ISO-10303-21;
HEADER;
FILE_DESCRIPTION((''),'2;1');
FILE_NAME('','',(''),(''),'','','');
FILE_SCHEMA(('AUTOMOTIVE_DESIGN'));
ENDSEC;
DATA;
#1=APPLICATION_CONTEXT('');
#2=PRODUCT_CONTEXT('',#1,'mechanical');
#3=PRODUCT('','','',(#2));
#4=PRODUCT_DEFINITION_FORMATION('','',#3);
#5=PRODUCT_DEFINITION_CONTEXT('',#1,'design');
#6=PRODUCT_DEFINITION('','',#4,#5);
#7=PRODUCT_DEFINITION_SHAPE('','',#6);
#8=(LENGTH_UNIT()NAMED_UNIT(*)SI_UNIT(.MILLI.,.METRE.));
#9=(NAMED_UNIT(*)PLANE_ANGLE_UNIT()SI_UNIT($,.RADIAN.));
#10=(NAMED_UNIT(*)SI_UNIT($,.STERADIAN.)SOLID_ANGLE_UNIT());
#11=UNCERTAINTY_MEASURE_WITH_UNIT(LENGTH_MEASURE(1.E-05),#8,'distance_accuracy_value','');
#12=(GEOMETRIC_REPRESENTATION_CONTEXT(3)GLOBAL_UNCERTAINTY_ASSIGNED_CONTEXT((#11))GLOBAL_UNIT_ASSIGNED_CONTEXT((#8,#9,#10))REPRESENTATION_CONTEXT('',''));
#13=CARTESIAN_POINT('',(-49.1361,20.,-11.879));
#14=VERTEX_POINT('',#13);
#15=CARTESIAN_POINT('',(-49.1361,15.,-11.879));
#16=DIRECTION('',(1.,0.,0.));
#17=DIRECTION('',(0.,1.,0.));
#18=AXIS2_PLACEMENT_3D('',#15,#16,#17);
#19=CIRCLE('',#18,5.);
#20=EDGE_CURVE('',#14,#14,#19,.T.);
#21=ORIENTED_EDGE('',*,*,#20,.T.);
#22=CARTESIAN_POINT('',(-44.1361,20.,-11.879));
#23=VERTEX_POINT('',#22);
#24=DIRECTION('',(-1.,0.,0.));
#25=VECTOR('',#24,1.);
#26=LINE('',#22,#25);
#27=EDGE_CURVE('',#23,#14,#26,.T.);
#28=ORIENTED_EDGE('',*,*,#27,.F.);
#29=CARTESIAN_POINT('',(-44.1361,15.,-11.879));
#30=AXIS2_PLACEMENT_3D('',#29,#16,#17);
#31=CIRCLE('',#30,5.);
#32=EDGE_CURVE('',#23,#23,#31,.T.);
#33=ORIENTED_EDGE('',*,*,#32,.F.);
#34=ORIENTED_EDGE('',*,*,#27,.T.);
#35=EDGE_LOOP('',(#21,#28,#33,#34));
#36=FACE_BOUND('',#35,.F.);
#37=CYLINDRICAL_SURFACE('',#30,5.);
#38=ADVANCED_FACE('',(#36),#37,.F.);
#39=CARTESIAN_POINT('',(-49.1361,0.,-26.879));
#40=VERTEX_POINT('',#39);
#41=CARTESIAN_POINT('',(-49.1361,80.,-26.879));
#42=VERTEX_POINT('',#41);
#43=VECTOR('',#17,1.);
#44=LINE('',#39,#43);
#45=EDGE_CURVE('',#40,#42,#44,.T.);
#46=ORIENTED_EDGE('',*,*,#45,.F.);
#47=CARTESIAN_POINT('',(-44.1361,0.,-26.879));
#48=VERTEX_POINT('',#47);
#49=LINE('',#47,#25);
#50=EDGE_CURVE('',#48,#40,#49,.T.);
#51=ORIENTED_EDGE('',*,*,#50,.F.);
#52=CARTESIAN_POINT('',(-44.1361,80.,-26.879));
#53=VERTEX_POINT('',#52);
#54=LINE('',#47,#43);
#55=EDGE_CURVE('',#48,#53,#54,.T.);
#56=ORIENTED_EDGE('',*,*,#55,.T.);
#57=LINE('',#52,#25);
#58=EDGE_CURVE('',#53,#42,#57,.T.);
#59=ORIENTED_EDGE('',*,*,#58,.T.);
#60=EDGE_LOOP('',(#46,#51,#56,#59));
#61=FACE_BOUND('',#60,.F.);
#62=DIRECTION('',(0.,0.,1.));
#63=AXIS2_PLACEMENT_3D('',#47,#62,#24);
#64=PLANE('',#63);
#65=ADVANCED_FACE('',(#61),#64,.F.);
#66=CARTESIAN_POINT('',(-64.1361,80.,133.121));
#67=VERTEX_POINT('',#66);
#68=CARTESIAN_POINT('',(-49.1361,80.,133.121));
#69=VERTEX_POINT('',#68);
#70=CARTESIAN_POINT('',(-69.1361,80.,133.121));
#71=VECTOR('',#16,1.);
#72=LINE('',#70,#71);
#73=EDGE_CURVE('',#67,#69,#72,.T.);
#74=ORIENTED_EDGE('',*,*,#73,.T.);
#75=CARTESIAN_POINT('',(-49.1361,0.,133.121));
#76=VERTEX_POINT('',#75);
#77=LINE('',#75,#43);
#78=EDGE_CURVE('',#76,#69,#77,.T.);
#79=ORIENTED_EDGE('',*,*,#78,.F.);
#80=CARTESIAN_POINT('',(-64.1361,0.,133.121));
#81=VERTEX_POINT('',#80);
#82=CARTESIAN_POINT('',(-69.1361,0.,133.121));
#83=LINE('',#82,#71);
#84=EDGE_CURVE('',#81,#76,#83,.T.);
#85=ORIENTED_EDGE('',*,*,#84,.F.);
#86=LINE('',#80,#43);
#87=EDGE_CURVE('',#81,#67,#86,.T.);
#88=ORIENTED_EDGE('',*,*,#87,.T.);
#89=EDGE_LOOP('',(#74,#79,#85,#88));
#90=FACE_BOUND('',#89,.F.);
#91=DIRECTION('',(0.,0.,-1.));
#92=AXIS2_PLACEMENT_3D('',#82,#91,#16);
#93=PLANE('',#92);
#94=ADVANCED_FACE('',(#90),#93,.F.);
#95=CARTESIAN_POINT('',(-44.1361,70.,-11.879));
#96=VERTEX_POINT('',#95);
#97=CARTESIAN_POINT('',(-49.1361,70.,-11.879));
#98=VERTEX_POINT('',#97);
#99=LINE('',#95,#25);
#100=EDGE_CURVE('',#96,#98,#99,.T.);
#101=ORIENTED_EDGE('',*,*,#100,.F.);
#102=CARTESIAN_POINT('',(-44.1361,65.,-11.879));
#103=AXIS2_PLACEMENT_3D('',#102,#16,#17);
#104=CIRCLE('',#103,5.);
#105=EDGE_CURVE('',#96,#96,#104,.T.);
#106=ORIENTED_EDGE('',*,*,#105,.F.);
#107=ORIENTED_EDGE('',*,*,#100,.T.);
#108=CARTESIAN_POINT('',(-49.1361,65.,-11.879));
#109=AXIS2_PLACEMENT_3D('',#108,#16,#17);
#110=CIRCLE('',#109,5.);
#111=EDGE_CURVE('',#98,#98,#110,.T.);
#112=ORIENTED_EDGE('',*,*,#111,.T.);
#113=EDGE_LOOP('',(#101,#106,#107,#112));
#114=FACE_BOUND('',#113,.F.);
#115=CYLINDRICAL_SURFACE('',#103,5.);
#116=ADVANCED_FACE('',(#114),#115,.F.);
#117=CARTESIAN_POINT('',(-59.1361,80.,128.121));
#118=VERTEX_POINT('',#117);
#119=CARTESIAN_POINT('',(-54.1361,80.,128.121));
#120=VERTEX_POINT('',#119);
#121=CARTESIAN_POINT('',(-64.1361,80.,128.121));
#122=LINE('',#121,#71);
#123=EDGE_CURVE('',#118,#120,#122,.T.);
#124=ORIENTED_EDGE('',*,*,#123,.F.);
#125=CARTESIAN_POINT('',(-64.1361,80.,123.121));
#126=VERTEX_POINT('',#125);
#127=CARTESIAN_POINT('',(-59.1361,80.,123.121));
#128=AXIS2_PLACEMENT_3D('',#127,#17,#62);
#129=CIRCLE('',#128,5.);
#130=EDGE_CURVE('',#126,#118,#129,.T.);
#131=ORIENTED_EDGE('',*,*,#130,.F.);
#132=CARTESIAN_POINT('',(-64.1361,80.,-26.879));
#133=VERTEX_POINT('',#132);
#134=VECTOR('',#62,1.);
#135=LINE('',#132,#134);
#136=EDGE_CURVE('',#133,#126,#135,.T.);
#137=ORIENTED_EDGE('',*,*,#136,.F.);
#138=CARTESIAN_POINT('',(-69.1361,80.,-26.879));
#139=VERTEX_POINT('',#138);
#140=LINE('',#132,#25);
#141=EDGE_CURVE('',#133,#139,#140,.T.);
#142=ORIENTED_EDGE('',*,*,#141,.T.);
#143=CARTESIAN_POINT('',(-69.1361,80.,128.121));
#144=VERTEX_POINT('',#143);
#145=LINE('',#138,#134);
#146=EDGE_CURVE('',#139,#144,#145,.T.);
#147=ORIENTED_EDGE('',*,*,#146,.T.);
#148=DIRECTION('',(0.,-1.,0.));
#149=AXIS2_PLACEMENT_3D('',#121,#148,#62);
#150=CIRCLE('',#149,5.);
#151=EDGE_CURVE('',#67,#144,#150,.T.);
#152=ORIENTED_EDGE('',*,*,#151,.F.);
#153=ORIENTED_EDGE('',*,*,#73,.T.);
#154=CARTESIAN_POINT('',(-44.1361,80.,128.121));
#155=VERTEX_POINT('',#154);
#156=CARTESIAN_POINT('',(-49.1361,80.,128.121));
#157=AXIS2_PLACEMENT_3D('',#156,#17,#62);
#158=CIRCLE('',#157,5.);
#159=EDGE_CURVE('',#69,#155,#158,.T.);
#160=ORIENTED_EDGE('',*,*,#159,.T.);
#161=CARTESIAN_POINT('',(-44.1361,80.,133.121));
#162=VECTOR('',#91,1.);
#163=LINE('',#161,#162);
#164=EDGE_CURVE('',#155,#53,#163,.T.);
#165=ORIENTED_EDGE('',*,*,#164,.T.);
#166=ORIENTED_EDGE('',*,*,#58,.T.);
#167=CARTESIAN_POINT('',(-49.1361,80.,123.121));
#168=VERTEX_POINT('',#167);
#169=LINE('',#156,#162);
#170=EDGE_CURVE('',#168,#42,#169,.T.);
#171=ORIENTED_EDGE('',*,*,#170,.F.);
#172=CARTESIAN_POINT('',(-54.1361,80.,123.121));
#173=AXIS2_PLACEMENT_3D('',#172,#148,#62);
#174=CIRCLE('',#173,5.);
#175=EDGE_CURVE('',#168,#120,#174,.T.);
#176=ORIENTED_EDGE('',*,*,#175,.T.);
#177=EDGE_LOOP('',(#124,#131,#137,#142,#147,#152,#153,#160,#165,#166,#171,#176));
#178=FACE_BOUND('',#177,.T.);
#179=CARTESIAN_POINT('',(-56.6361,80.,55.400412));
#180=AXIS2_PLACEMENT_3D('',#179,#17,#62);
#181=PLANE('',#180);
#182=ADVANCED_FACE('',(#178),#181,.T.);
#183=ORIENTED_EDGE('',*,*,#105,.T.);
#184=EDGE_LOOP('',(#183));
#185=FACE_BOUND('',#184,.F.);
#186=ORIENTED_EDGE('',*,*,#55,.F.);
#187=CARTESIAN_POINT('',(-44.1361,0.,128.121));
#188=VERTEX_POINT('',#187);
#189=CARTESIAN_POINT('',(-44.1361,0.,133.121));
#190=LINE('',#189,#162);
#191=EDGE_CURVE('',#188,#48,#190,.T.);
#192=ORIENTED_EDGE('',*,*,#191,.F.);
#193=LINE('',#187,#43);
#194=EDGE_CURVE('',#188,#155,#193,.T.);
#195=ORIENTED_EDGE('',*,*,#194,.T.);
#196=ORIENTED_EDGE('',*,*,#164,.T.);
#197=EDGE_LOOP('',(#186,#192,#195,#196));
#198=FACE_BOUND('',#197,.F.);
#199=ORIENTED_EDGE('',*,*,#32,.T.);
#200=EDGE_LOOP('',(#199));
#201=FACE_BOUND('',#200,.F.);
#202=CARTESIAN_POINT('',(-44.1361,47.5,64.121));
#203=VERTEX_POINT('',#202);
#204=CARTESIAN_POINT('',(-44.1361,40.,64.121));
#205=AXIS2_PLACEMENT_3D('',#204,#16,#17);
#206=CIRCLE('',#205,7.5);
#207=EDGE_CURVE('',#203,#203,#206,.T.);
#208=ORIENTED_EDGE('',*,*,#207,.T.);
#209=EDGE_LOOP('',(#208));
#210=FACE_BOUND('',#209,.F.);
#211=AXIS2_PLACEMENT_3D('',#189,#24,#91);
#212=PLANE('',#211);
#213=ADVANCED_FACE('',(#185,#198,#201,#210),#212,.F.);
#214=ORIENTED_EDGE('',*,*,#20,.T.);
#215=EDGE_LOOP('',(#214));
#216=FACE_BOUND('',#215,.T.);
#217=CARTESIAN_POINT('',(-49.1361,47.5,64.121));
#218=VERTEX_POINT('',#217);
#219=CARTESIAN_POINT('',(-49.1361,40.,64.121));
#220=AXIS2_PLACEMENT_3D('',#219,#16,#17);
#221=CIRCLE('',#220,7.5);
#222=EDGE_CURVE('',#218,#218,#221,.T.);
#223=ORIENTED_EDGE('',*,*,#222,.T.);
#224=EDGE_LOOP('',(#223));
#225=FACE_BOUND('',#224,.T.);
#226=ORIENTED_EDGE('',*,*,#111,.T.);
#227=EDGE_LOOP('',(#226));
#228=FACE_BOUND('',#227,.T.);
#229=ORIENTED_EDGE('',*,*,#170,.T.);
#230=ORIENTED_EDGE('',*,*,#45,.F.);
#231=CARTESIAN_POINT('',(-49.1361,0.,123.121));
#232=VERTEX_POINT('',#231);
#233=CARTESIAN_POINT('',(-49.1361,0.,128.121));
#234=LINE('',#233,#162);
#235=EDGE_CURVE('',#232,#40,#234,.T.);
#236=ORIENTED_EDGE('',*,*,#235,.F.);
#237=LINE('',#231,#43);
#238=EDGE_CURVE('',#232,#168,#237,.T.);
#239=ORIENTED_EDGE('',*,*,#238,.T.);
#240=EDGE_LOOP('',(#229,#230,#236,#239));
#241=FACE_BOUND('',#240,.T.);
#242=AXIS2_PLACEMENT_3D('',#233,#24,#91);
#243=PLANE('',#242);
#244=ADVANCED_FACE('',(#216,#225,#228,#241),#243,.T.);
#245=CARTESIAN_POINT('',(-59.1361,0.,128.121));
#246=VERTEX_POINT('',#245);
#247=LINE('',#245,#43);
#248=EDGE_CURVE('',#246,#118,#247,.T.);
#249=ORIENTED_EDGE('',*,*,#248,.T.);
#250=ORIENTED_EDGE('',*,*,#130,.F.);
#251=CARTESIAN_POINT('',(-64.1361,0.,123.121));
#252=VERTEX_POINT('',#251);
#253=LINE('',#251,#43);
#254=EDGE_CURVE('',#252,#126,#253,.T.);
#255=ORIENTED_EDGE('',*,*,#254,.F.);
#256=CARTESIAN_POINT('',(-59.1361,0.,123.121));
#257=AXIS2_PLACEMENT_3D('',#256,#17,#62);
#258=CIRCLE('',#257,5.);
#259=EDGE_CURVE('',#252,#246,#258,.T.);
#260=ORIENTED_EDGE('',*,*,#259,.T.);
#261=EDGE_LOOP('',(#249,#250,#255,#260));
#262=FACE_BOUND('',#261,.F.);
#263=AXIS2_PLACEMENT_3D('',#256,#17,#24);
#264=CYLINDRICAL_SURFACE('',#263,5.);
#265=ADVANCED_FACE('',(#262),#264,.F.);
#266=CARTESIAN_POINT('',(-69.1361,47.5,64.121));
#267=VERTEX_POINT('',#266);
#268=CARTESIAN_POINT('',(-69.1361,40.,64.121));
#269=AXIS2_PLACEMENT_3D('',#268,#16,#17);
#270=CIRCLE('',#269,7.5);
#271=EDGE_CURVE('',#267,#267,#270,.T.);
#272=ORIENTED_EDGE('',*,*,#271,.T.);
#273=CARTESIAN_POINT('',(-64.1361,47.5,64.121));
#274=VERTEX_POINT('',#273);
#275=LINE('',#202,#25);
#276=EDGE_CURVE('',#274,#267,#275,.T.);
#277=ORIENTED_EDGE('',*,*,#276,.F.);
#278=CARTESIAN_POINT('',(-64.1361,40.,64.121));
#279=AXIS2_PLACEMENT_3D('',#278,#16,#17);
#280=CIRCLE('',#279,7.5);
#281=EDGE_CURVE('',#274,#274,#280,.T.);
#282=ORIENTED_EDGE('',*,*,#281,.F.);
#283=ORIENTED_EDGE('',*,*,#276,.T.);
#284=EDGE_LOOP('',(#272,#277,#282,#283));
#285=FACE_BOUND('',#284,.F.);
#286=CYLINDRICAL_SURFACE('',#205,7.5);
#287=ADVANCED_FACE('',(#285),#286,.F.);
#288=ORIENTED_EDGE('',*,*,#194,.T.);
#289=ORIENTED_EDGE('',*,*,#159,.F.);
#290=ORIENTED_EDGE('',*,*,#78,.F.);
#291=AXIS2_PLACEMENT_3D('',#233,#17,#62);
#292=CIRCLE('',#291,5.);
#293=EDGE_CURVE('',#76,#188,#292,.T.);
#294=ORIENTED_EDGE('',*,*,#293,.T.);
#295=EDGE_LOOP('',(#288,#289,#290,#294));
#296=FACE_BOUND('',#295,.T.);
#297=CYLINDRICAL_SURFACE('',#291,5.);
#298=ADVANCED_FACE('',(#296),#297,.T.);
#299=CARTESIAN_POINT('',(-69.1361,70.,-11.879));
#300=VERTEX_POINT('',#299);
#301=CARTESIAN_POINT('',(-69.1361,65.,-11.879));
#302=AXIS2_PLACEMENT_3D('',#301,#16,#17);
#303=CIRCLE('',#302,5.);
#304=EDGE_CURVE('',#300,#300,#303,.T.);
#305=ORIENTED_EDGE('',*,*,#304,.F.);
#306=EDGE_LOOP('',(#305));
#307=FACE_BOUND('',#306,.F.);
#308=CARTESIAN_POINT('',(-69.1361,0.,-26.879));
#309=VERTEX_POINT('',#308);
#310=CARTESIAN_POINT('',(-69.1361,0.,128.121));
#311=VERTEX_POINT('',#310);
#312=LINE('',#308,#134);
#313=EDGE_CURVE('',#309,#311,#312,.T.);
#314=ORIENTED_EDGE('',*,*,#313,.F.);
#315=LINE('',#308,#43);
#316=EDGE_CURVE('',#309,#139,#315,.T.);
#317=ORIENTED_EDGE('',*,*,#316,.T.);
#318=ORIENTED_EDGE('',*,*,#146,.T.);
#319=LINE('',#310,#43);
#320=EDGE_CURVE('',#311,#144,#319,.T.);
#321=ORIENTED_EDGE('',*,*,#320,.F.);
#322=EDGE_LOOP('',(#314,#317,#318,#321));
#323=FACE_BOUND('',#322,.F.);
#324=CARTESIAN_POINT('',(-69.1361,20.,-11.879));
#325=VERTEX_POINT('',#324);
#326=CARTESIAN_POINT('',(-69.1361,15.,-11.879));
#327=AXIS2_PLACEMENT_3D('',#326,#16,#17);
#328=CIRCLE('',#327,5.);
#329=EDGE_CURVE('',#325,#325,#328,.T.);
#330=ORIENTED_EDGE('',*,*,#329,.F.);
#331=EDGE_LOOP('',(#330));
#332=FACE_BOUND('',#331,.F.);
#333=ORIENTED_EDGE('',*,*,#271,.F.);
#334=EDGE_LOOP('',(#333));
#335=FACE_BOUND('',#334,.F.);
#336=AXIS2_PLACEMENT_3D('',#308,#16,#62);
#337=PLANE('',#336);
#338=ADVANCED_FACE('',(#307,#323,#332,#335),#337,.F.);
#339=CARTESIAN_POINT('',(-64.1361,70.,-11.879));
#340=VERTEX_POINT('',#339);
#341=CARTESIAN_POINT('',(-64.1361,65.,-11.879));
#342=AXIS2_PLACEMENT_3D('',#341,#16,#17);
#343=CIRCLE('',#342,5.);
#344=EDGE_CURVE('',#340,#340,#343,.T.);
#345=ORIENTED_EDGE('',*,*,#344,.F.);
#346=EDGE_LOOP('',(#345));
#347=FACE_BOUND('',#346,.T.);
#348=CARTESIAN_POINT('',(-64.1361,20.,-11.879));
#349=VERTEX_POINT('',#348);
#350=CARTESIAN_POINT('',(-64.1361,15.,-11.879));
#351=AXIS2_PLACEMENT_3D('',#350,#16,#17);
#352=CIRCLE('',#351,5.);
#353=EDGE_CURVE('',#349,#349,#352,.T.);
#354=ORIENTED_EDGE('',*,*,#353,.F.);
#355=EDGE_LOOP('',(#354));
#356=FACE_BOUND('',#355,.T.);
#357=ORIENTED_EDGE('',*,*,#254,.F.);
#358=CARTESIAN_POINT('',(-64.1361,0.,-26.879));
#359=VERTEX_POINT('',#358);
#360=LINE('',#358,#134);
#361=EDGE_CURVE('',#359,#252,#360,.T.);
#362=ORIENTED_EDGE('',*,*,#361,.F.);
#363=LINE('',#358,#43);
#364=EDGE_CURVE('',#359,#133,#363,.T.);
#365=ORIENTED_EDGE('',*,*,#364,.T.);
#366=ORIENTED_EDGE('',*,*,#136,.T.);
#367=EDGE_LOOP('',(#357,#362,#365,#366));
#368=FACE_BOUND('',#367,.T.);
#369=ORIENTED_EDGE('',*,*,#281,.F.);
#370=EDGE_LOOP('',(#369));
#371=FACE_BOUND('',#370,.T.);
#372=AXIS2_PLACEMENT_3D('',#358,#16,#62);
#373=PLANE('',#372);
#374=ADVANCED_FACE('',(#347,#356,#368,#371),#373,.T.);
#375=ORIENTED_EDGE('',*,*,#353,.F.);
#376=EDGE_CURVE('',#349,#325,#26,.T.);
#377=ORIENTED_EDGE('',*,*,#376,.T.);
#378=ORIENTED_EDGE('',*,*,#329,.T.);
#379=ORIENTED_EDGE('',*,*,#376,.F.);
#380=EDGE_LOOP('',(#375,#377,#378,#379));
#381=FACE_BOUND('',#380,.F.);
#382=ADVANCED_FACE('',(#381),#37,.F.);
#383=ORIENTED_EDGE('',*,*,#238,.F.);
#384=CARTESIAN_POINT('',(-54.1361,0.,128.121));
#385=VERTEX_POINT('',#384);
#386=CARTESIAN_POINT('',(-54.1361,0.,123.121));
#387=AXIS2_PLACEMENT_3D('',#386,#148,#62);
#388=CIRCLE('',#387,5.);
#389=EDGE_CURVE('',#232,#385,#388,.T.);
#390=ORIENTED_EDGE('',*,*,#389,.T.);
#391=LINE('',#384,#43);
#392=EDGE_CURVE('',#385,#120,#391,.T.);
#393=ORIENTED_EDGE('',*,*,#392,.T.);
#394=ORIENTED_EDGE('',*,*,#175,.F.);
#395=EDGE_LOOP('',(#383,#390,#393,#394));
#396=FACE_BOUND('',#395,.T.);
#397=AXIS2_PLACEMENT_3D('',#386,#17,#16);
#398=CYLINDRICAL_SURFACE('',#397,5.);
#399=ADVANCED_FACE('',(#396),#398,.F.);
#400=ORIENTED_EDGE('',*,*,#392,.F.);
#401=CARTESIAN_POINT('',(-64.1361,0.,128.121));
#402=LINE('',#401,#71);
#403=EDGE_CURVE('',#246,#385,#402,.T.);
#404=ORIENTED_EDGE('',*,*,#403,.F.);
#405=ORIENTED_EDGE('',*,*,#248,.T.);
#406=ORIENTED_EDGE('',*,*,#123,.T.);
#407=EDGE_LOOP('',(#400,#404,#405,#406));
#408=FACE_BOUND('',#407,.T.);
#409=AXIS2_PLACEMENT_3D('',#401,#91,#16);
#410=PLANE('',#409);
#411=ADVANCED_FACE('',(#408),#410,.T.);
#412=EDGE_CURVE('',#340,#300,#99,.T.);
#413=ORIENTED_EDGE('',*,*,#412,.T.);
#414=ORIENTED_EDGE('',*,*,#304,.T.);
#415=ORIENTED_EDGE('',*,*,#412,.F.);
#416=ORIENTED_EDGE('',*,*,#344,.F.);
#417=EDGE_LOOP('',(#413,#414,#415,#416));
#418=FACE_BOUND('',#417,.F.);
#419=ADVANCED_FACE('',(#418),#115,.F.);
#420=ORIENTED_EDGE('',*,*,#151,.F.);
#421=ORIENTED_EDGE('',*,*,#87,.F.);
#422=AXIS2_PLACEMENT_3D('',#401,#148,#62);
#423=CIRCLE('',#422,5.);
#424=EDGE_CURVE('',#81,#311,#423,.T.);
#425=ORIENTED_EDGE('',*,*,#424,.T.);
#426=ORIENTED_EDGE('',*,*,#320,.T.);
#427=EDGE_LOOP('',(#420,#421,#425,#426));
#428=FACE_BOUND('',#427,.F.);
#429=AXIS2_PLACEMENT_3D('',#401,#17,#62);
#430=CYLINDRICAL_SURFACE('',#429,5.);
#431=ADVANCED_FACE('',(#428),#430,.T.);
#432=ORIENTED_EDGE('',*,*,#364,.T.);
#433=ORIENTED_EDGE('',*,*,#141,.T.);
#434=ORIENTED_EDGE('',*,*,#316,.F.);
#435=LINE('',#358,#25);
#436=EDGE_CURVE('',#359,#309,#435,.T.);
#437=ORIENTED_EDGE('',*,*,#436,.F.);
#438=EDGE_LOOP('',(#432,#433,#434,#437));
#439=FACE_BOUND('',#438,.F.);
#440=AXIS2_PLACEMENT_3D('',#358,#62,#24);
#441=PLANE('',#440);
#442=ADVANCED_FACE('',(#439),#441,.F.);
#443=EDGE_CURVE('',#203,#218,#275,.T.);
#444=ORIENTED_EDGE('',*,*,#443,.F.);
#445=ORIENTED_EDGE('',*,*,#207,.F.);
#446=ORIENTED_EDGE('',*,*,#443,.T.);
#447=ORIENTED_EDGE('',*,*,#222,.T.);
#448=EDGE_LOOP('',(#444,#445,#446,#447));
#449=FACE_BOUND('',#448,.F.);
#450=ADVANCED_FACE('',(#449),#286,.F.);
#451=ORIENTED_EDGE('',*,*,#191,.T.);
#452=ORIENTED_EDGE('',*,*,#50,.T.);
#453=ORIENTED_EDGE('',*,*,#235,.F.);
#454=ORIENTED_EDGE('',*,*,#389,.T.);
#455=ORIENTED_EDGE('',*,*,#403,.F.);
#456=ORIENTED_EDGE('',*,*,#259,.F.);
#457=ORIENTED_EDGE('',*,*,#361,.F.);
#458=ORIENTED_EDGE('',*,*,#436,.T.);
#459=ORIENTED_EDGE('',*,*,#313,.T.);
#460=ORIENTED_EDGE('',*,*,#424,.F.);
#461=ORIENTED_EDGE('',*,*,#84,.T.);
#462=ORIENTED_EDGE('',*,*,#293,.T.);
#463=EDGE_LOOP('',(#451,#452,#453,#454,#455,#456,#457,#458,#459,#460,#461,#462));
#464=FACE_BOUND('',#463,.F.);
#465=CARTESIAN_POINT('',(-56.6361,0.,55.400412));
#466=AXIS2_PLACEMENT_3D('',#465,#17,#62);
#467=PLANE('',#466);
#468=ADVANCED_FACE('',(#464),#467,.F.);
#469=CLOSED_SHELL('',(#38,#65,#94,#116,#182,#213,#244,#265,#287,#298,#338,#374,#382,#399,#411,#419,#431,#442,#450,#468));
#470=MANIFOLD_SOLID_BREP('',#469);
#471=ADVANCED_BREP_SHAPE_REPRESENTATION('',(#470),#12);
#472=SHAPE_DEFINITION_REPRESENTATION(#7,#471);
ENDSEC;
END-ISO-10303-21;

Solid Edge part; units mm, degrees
sketch "Sketch1" plane through (0, 0, 0) normal (0, -1, 0) x (1, 0, 0)
  line L0 (-69.1361, 133.121) -> (-44.1361, 133.121)
  line L1 (-44.1361, 133.121) -> (-44.1361, -26.879)
  line L2 (-44.1361, -26.879) -> (-49.1361, -26.879)
  line L3 (-49.1361, 128.121) -> (-49.1361, -26.879)
  line L4 (-64.1361, 128.121) -> (-49.1361, 128.121)
  line L5 (-64.1361, -26.879) -> (-64.1361, 128.121)
  line L6 (-64.1361, -26.879) -> (-69.1361, -26.879)
  line L7 (-69.1361, -26.879) -> (-69.1361, 133.121)
extrude "Protrusion1" add sketch "Sketch1" against normal blind 80
fillet "Round_1" radius 5 2 edges at (-69.1361, 40, 133.121) (-44.1361, 40, 133.121)
fillet "Round_2" radius 5 2 edges at (-64.1361, 40, 128.121) (-49.1361, 40, 128.121)
sketch "Sketch2" plane through (-44.1361, 40, 18.121) normal (1, 0, 0) x (0, 1, 0)
  circle A0 centre (-25, -30) radius 5
  circle A1 centre (25, -30) radius 5
  circle A2 centre (0, 46) radius 7.5
  dimension "D1" = 15
  dimension "D2" = 10
  dimension "D3" = 15
  dimension "D4" = 25
  dimension "D5" = 25
  dimension "D6" = 64
extrude "Cutout1" cut sketch "Sketch2" against normal through all
